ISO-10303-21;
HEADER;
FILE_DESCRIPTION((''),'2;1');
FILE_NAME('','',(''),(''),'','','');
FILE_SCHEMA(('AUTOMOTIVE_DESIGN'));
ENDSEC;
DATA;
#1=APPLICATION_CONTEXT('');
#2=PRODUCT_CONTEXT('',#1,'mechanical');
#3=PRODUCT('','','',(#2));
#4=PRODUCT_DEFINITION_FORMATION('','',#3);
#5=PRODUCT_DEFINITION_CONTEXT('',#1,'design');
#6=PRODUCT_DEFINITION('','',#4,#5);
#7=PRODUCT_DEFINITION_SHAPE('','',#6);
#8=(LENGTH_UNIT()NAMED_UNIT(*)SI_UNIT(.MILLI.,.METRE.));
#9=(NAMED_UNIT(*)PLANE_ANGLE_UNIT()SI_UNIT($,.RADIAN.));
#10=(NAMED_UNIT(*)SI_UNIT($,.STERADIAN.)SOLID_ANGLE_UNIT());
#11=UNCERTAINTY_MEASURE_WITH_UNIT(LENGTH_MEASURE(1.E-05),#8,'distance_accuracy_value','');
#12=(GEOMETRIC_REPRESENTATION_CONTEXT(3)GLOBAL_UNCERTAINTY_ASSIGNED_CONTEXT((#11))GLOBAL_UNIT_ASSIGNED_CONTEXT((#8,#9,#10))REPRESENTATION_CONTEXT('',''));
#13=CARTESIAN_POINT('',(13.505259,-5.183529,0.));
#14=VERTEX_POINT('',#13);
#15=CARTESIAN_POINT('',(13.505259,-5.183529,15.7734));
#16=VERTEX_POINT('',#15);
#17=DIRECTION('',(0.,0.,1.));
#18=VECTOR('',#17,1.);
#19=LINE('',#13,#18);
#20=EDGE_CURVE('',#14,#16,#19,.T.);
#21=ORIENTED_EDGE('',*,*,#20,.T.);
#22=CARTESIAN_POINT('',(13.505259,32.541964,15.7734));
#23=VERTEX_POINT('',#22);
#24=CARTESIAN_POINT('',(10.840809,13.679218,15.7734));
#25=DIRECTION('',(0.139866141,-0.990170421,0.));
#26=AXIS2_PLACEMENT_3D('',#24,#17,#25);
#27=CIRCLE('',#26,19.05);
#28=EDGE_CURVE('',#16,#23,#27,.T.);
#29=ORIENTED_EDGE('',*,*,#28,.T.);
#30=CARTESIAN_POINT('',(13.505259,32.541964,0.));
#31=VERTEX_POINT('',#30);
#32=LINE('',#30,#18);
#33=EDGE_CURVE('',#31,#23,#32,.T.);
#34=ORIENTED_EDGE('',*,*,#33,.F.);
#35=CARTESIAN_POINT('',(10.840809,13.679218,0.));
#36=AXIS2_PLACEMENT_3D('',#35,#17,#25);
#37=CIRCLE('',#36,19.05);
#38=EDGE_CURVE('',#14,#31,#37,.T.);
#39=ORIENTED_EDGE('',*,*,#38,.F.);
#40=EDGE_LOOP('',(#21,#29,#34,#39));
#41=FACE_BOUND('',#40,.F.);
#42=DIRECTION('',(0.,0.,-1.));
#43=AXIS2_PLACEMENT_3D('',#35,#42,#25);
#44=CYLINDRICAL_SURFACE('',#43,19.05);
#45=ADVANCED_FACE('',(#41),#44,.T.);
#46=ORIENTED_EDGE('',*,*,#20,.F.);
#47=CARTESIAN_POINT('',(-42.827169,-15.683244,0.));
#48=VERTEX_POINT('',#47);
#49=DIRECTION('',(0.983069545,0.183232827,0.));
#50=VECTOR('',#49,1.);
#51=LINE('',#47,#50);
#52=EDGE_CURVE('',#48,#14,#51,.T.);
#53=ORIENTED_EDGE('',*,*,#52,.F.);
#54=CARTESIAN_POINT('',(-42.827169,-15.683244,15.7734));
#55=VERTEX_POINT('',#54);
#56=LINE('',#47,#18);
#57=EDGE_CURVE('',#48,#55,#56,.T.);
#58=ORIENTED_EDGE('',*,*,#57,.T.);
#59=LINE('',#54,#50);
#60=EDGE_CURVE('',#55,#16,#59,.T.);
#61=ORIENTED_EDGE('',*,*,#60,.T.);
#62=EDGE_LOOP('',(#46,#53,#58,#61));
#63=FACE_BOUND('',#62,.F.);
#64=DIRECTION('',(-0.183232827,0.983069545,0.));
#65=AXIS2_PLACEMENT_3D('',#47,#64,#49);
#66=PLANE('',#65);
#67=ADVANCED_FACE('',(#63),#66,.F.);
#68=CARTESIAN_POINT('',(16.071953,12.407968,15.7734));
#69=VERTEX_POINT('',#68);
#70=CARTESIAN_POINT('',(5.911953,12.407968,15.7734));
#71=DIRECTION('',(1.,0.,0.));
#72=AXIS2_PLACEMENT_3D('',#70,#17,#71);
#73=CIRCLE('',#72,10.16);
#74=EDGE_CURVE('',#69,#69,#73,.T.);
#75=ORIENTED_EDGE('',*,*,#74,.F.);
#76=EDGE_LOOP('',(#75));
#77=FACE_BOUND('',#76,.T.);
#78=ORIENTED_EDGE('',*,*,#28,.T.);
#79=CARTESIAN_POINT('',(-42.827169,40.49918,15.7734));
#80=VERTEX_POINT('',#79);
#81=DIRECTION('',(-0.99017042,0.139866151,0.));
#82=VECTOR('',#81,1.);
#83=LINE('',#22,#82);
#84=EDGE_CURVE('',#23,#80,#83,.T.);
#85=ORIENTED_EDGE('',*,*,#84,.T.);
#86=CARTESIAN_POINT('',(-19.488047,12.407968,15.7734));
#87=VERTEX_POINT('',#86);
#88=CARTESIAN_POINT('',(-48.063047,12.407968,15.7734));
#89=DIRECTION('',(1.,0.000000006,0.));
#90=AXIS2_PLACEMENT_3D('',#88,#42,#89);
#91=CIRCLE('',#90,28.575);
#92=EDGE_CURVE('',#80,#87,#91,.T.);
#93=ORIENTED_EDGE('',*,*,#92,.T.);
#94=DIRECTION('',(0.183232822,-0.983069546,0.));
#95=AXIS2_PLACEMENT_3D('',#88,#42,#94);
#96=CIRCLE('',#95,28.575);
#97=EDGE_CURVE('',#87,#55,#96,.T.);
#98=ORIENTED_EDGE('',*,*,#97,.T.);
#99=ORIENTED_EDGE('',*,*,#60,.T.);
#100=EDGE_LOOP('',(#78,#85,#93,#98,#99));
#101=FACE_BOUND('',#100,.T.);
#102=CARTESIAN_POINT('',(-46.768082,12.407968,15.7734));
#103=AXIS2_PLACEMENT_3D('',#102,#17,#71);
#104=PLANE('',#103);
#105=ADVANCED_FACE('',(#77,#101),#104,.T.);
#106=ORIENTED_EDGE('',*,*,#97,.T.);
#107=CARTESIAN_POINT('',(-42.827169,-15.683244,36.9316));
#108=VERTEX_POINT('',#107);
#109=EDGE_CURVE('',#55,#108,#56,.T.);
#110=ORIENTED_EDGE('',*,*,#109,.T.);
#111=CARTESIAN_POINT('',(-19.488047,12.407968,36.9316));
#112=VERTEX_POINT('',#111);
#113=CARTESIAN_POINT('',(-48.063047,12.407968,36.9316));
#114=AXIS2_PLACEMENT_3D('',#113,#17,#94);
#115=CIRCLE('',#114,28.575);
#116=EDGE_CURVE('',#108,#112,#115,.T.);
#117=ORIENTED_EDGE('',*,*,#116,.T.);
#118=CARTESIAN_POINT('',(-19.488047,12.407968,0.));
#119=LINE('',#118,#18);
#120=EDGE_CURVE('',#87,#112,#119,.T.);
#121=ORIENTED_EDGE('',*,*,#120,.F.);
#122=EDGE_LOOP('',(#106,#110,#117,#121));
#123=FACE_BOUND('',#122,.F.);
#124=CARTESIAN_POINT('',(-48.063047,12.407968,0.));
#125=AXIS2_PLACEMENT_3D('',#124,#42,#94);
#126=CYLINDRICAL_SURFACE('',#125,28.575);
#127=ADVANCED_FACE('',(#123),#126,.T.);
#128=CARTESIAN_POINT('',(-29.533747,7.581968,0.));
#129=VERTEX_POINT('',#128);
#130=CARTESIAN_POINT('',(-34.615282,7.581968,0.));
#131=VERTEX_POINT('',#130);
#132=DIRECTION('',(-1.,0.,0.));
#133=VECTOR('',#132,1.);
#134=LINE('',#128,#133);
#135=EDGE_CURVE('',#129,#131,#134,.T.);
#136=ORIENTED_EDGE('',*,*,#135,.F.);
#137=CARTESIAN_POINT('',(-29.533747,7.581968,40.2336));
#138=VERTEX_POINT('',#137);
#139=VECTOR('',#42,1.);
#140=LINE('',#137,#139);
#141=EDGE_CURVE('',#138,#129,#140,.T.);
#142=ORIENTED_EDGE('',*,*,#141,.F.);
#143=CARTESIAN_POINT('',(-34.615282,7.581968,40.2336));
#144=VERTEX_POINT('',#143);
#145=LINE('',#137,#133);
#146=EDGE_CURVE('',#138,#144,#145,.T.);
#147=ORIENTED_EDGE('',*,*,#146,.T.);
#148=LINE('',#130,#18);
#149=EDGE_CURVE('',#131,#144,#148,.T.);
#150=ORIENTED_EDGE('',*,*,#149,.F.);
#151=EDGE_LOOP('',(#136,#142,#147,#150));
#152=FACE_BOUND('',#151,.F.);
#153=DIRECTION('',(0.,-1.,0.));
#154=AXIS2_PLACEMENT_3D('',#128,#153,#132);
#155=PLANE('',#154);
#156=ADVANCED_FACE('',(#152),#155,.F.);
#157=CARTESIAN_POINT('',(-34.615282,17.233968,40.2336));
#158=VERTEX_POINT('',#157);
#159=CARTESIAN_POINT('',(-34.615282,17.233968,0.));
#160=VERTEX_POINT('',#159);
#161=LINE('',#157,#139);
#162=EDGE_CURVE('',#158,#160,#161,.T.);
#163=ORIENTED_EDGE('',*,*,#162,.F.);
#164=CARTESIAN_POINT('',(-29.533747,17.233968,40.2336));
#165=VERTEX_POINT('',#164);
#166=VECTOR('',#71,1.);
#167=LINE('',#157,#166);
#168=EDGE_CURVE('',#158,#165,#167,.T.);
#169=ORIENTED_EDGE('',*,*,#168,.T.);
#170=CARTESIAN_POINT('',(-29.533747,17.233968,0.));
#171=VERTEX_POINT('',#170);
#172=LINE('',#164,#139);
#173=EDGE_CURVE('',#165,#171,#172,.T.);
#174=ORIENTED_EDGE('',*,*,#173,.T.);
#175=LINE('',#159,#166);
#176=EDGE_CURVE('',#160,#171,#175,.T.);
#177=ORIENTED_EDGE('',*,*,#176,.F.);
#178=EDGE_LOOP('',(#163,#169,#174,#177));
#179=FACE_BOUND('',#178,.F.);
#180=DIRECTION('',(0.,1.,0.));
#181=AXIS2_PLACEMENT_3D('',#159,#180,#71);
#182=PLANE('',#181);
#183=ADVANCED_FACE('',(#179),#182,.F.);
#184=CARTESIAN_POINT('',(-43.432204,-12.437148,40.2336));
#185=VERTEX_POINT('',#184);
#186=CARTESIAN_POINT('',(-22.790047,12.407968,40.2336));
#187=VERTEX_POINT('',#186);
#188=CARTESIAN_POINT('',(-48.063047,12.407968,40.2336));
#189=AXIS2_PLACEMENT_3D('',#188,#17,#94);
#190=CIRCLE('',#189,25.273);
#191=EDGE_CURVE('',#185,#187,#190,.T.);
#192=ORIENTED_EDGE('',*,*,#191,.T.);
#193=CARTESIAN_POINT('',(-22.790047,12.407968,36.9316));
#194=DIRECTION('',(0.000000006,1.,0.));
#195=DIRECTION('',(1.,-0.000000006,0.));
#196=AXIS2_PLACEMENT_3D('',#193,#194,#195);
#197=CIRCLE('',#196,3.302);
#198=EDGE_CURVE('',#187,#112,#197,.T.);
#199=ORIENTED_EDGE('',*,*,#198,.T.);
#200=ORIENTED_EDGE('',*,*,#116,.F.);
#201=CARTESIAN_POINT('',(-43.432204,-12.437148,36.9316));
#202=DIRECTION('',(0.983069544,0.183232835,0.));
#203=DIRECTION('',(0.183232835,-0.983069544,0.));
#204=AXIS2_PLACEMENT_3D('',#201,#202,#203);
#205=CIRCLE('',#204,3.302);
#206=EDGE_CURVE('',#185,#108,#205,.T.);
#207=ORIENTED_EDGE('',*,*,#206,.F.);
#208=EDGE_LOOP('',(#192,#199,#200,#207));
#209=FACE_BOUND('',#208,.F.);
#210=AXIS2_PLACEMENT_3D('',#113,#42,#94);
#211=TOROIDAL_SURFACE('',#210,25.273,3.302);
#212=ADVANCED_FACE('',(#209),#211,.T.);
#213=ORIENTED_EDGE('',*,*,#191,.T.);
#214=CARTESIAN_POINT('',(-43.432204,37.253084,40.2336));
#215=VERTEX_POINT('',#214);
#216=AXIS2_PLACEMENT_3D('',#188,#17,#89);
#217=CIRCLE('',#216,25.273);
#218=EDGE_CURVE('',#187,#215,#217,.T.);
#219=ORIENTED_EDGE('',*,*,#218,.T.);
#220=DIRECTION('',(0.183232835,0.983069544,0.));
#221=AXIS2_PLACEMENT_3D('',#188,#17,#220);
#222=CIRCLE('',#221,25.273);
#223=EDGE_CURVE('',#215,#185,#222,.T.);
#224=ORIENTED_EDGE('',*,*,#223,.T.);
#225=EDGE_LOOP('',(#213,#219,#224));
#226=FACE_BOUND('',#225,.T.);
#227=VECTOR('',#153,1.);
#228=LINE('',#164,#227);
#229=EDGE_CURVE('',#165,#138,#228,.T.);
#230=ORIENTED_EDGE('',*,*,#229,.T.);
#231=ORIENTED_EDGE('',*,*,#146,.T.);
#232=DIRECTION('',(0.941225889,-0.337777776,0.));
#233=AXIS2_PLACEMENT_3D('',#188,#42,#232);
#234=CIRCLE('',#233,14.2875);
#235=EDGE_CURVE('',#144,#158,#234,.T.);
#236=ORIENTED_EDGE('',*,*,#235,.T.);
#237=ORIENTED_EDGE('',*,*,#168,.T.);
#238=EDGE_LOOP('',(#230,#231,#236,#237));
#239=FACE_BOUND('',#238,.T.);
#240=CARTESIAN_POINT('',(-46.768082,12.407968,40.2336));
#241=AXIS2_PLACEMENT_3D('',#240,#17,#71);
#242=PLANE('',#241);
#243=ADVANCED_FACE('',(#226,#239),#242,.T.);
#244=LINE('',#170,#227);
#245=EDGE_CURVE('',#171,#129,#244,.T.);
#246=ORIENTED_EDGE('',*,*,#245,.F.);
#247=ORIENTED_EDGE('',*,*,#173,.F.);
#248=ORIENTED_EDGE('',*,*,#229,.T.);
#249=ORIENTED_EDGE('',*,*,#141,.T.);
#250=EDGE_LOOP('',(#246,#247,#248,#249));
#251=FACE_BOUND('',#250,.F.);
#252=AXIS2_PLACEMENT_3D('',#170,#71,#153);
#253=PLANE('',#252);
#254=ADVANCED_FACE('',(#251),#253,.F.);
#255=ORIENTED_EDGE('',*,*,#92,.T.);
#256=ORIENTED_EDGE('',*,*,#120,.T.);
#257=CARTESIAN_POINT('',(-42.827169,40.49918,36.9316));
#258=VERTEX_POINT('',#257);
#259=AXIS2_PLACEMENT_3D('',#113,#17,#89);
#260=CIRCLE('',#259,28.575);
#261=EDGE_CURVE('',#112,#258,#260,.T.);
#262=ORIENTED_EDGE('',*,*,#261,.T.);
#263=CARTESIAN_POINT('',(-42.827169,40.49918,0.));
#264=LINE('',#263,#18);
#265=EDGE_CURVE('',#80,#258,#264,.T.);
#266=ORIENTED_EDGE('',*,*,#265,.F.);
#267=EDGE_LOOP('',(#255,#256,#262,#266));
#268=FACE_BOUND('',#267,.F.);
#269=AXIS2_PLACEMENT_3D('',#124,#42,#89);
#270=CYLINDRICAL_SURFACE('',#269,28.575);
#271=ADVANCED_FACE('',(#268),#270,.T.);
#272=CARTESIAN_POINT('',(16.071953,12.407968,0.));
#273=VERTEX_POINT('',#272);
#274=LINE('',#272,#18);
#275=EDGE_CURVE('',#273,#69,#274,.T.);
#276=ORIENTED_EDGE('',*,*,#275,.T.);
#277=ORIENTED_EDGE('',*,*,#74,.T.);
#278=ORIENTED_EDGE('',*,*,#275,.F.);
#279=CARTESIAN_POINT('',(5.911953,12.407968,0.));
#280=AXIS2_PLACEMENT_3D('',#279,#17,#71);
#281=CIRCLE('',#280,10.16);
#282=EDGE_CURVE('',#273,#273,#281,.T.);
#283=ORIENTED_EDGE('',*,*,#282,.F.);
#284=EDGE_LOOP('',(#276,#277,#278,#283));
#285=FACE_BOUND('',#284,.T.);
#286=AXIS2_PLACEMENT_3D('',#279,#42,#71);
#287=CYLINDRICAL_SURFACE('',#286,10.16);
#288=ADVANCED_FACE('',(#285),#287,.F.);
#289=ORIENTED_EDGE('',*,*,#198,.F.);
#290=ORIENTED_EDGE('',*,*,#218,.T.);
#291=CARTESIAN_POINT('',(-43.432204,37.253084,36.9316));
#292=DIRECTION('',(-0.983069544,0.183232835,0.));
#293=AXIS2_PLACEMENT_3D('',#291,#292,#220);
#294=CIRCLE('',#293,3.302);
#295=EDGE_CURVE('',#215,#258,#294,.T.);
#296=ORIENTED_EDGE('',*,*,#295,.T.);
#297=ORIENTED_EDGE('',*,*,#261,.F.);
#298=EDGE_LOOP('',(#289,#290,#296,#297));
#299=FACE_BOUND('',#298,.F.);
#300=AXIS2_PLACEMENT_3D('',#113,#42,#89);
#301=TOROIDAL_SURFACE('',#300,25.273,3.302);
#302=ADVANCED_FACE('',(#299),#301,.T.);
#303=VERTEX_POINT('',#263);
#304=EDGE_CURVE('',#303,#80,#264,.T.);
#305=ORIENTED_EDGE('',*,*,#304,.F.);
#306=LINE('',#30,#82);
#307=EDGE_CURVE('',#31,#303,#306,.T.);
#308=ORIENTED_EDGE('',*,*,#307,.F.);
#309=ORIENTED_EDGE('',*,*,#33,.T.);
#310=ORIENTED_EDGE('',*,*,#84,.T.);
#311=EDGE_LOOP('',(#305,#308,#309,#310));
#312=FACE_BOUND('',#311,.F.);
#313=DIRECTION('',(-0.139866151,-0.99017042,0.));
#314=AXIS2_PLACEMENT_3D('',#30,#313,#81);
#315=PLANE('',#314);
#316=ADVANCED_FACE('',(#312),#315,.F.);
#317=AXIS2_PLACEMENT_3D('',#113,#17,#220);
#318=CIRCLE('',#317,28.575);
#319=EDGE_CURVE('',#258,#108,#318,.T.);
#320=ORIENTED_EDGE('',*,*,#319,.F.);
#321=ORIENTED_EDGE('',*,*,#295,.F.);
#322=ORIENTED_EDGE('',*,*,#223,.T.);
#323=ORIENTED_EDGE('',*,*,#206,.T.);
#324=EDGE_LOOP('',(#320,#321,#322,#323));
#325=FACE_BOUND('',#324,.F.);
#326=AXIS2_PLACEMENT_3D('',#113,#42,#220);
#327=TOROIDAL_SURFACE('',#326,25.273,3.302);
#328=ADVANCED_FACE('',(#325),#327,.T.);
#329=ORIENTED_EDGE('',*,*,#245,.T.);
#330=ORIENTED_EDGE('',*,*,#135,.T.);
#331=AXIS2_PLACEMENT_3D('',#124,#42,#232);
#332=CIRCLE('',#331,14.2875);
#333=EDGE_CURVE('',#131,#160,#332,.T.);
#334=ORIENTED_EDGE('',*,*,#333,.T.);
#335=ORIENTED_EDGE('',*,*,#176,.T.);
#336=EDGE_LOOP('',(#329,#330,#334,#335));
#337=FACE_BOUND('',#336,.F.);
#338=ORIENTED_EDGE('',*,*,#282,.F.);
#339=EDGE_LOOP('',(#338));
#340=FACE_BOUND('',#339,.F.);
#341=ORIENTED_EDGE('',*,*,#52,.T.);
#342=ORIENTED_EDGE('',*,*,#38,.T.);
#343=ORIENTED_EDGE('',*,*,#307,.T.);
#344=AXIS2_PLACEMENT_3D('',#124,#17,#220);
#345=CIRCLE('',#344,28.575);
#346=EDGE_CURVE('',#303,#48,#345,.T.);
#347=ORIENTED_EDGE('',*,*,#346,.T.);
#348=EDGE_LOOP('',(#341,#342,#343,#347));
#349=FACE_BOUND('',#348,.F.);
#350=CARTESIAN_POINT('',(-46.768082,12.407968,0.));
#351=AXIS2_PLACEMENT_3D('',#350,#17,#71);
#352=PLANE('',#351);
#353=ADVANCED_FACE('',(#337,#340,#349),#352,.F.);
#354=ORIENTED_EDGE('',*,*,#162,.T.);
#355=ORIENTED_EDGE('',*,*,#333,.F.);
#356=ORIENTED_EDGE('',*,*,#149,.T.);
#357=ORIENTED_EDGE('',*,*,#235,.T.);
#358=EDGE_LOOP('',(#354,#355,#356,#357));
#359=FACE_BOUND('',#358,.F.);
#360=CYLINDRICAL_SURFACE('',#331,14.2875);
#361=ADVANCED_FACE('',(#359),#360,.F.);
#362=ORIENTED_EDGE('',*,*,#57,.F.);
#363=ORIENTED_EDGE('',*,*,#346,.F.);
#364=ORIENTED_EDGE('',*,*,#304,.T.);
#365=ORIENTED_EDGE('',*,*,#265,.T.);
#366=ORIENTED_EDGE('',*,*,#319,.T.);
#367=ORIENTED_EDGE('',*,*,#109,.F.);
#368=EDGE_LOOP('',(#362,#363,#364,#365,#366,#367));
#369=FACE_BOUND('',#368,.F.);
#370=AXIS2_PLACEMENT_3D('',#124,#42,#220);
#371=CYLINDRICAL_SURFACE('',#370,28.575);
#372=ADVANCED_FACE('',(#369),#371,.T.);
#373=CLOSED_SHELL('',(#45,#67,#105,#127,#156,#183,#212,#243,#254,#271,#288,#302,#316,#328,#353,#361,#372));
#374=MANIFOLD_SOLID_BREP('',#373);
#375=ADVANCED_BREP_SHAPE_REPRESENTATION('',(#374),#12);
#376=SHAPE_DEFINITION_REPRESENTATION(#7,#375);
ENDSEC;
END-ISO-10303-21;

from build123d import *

# Parameters (mm, degrees)
F1_DEPTH = 40.2336
F0_R     = 10.16
F2_DEPTH = 15.7734
F3_R     = 3.302


with BuildPart() as f1:
    # F0 (on Top) → F1 (new body)
    with BuildSketch(Plane.XY):
        with BuildLine():
            ThreePointArc((-42.827169, -15.683244), (-26.084127, -5.852856), (-19.488047, 12.407968))
            ThreePointArc((-19.488047, 12.407968), (-26.084127, 30.668792), (-42.827169, 40.49918))
            ThreePointArc((-42.827169, 40.49918), (-76.638047, 12.407968), (-42.827169, -15.683244))
        make_face()
        with BuildLine():
            ThreePointArc((-34.615282, 7.581968), (-62.350547, 12.407968), (-34.615282, 17.233968))
            Line((-34.615282, 17.233968), (-29.533747, 17.233968))
            Line((-29.533747, 17.233968), (-29.533747, 7.581968))
            Line((-29.533747, 7.581968), (-34.615282, 7.581968))
        make_face(mode=Mode.SUBTRACT)
    extrude(amount=F1_DEPTH)

    # F0 (on Top) → F2 (join)
    with BuildSketch(Plane.XY):
        with BuildLine():
            ThreePointArc((-42.827169, -15.683244), (-26.084127, -5.852856), (-19.488047, 12.407968))
            ThreePointArc((-19.488047, 12.407968), (-26.084127, 30.668792), (-42.827169, 40.49918))
            ThreePointArc((-42.827169, 40.49918), (-76.638047, 12.407968), (-42.827169, -15.683244))
        make_face()
        with BuildLine():
            ThreePointArc((-34.615282, 7.581968), (-62.350547, 12.407968), (-34.615282, 17.233968))
            Line((-34.615282, 17.233968), (-29.533747, 17.233968))
            Line((-29.533747, 17.233968), (-29.533747, 7.581968))
            Line((-29.533747, 7.581968), (-34.615282, 7.581968))
        make_face(mode=Mode.SUBTRACT)
        with BuildLine():
            ThreePointArc((-42.827169, 40.49918), (-26.084127, 30.668792), (-19.488047, 12.407968))
            ThreePointArc((-19.488047, 12.407968), (-26.084127, -5.852856), (-42.827169, -15.683244))
            Line((-42.827169, -15.683244), (13.505259, -5.183529))
            ThreePointArc((13.505259, -5.183529), (29.890809, 13.679218), (13.505259, 32.541964))
            Line((13.505259, 32.541964), (-42.827169, 40.49918))
        make_face()
        with Locations((5.911953, 12.407968)):
            Circle(F0_R, mode=Mode.SUBTRACT)
    extrude(amount=F2_DEPTH)

    # F3
    f3_edges = [f1.edges().sort_by_distance(p)[0] for p in [
        (-53.298926, 40.49918, 40.2336),
    ]]
    fillet(f3_edges, radius=F3_R)


solid = f1.part
